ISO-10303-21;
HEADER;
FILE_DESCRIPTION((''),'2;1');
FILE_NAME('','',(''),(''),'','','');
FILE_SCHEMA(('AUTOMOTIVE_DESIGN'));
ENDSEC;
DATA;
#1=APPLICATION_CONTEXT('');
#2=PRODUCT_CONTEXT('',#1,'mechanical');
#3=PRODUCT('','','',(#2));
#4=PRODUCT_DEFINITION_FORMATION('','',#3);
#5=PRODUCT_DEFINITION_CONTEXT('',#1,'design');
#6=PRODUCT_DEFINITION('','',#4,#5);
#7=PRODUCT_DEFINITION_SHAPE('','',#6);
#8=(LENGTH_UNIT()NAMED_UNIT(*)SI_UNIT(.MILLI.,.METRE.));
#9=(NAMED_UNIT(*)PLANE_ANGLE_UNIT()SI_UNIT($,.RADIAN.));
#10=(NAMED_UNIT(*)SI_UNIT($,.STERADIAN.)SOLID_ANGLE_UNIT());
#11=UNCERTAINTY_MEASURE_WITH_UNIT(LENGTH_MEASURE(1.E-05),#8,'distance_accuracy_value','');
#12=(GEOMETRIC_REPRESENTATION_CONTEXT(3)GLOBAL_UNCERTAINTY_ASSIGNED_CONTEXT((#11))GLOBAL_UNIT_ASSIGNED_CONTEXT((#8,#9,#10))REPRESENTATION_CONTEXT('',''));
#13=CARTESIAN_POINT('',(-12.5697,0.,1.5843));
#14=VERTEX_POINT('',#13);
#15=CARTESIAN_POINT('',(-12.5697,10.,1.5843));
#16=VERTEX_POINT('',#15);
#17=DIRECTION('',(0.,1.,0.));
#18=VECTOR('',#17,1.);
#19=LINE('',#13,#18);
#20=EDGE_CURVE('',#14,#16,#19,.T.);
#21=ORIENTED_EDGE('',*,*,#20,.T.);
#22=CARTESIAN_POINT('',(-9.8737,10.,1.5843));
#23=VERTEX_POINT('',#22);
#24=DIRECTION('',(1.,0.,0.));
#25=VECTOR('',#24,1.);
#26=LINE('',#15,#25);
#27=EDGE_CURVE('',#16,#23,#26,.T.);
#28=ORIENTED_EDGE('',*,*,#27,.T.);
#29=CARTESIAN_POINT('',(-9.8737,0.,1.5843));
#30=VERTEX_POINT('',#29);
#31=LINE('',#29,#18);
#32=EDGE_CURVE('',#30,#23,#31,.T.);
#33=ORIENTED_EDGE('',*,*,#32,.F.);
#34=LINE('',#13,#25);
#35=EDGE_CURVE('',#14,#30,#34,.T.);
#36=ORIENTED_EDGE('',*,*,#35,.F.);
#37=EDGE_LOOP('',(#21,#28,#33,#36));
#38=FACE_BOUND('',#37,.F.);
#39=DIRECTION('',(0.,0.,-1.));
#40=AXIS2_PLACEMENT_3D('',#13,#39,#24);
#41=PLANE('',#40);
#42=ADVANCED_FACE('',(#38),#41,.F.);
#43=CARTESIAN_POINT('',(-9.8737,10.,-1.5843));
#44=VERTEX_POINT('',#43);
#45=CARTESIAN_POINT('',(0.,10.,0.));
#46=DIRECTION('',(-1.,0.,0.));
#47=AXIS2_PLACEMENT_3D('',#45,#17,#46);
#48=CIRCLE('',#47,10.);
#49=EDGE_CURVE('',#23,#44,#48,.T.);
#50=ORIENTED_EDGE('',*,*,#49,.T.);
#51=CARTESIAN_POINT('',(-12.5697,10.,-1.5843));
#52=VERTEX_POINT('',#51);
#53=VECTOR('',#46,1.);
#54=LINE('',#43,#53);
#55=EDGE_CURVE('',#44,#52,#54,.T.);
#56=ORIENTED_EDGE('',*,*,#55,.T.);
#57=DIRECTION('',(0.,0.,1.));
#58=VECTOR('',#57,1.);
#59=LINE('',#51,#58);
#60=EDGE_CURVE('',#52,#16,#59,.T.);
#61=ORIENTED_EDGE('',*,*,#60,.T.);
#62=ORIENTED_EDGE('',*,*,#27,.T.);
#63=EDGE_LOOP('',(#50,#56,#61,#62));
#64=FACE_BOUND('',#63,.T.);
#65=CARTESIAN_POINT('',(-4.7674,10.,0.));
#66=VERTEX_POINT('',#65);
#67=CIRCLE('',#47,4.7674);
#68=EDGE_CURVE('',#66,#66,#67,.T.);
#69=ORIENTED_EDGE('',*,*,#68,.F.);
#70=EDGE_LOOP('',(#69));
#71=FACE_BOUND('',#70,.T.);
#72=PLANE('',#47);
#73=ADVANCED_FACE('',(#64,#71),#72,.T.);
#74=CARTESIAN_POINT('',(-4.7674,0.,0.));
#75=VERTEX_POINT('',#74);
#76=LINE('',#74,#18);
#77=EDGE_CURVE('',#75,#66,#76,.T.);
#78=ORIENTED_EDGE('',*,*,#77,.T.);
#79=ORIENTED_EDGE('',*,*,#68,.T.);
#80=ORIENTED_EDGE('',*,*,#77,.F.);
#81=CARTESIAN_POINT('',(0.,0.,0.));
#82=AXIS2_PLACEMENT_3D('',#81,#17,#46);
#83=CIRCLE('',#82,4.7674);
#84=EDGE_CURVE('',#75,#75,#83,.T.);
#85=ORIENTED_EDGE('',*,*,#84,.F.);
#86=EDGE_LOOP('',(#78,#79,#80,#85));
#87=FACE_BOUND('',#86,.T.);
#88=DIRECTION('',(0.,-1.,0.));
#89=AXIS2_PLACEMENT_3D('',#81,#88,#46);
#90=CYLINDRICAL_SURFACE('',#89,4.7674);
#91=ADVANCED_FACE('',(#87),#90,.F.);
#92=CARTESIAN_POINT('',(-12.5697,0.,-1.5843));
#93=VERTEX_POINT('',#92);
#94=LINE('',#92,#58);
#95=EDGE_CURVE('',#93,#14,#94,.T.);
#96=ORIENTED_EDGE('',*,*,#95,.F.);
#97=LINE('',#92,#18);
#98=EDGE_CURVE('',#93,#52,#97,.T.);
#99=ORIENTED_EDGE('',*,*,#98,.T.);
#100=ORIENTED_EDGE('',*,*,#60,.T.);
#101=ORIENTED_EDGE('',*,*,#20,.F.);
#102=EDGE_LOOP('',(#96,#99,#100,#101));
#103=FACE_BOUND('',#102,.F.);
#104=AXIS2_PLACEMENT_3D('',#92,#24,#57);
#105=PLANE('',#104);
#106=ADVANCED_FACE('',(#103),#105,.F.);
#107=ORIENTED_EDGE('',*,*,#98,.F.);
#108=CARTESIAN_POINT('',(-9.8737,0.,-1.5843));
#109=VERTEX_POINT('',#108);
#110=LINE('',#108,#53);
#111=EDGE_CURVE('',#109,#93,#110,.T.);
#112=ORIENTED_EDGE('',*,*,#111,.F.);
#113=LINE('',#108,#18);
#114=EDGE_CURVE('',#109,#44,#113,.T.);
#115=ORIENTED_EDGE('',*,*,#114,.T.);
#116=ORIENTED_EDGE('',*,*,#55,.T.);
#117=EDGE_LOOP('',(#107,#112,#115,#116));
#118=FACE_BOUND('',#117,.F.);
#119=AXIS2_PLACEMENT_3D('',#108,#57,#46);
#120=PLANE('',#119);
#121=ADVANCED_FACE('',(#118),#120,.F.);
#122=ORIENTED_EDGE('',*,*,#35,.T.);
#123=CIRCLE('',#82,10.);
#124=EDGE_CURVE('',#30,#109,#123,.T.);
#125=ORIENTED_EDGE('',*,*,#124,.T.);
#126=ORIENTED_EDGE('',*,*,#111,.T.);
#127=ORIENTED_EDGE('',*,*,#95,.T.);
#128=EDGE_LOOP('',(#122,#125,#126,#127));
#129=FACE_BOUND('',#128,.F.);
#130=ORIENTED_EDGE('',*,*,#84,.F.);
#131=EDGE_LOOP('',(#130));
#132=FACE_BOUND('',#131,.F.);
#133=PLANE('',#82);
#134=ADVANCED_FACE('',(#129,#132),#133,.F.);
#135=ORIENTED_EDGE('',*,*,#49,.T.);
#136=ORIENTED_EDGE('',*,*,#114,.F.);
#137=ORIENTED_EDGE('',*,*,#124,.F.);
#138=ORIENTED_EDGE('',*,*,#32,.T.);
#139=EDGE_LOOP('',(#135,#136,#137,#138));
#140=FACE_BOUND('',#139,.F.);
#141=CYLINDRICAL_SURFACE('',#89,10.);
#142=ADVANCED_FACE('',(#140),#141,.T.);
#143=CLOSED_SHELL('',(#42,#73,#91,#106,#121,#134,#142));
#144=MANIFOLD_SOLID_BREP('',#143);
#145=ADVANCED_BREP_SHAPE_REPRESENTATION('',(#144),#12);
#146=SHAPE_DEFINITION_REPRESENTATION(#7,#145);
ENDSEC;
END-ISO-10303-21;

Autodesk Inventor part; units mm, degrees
ref_plane "YZ Plane" through (0, 0, 0) normal (1, 0, 0) x (0, 1, 0)
ref_plane "XZ Plane" through (0, 0, 0) normal (0, 1, 0) x (-1, 0, 0)
sketch "Sketch1" plane through (0, 0, 0) normal (0, 1, 0) x (-1, 0, 0)
  circle A0 centre (0, 0) radius 4.7674
  circle A1 centre (0, 0) radius 10
  line L0 (9.8737, 1.5843) -> (9.8737, -1.5843)
  line L1 (9.8737, -1.5843) -> (12.5697, -1.5843)
  line L2 (12.5697, -1.5843) -> (12.5697, 1.5843)
  line L3 (12.5697, 1.5843) -> (9.8737, 1.5843)
  dimension "d0" = 20
  dimension "d1" = 9.5349
extrude "Extrusion1" add sketch "Sketch1" along normal blind 10
properties part number "Test_gear_p1"
